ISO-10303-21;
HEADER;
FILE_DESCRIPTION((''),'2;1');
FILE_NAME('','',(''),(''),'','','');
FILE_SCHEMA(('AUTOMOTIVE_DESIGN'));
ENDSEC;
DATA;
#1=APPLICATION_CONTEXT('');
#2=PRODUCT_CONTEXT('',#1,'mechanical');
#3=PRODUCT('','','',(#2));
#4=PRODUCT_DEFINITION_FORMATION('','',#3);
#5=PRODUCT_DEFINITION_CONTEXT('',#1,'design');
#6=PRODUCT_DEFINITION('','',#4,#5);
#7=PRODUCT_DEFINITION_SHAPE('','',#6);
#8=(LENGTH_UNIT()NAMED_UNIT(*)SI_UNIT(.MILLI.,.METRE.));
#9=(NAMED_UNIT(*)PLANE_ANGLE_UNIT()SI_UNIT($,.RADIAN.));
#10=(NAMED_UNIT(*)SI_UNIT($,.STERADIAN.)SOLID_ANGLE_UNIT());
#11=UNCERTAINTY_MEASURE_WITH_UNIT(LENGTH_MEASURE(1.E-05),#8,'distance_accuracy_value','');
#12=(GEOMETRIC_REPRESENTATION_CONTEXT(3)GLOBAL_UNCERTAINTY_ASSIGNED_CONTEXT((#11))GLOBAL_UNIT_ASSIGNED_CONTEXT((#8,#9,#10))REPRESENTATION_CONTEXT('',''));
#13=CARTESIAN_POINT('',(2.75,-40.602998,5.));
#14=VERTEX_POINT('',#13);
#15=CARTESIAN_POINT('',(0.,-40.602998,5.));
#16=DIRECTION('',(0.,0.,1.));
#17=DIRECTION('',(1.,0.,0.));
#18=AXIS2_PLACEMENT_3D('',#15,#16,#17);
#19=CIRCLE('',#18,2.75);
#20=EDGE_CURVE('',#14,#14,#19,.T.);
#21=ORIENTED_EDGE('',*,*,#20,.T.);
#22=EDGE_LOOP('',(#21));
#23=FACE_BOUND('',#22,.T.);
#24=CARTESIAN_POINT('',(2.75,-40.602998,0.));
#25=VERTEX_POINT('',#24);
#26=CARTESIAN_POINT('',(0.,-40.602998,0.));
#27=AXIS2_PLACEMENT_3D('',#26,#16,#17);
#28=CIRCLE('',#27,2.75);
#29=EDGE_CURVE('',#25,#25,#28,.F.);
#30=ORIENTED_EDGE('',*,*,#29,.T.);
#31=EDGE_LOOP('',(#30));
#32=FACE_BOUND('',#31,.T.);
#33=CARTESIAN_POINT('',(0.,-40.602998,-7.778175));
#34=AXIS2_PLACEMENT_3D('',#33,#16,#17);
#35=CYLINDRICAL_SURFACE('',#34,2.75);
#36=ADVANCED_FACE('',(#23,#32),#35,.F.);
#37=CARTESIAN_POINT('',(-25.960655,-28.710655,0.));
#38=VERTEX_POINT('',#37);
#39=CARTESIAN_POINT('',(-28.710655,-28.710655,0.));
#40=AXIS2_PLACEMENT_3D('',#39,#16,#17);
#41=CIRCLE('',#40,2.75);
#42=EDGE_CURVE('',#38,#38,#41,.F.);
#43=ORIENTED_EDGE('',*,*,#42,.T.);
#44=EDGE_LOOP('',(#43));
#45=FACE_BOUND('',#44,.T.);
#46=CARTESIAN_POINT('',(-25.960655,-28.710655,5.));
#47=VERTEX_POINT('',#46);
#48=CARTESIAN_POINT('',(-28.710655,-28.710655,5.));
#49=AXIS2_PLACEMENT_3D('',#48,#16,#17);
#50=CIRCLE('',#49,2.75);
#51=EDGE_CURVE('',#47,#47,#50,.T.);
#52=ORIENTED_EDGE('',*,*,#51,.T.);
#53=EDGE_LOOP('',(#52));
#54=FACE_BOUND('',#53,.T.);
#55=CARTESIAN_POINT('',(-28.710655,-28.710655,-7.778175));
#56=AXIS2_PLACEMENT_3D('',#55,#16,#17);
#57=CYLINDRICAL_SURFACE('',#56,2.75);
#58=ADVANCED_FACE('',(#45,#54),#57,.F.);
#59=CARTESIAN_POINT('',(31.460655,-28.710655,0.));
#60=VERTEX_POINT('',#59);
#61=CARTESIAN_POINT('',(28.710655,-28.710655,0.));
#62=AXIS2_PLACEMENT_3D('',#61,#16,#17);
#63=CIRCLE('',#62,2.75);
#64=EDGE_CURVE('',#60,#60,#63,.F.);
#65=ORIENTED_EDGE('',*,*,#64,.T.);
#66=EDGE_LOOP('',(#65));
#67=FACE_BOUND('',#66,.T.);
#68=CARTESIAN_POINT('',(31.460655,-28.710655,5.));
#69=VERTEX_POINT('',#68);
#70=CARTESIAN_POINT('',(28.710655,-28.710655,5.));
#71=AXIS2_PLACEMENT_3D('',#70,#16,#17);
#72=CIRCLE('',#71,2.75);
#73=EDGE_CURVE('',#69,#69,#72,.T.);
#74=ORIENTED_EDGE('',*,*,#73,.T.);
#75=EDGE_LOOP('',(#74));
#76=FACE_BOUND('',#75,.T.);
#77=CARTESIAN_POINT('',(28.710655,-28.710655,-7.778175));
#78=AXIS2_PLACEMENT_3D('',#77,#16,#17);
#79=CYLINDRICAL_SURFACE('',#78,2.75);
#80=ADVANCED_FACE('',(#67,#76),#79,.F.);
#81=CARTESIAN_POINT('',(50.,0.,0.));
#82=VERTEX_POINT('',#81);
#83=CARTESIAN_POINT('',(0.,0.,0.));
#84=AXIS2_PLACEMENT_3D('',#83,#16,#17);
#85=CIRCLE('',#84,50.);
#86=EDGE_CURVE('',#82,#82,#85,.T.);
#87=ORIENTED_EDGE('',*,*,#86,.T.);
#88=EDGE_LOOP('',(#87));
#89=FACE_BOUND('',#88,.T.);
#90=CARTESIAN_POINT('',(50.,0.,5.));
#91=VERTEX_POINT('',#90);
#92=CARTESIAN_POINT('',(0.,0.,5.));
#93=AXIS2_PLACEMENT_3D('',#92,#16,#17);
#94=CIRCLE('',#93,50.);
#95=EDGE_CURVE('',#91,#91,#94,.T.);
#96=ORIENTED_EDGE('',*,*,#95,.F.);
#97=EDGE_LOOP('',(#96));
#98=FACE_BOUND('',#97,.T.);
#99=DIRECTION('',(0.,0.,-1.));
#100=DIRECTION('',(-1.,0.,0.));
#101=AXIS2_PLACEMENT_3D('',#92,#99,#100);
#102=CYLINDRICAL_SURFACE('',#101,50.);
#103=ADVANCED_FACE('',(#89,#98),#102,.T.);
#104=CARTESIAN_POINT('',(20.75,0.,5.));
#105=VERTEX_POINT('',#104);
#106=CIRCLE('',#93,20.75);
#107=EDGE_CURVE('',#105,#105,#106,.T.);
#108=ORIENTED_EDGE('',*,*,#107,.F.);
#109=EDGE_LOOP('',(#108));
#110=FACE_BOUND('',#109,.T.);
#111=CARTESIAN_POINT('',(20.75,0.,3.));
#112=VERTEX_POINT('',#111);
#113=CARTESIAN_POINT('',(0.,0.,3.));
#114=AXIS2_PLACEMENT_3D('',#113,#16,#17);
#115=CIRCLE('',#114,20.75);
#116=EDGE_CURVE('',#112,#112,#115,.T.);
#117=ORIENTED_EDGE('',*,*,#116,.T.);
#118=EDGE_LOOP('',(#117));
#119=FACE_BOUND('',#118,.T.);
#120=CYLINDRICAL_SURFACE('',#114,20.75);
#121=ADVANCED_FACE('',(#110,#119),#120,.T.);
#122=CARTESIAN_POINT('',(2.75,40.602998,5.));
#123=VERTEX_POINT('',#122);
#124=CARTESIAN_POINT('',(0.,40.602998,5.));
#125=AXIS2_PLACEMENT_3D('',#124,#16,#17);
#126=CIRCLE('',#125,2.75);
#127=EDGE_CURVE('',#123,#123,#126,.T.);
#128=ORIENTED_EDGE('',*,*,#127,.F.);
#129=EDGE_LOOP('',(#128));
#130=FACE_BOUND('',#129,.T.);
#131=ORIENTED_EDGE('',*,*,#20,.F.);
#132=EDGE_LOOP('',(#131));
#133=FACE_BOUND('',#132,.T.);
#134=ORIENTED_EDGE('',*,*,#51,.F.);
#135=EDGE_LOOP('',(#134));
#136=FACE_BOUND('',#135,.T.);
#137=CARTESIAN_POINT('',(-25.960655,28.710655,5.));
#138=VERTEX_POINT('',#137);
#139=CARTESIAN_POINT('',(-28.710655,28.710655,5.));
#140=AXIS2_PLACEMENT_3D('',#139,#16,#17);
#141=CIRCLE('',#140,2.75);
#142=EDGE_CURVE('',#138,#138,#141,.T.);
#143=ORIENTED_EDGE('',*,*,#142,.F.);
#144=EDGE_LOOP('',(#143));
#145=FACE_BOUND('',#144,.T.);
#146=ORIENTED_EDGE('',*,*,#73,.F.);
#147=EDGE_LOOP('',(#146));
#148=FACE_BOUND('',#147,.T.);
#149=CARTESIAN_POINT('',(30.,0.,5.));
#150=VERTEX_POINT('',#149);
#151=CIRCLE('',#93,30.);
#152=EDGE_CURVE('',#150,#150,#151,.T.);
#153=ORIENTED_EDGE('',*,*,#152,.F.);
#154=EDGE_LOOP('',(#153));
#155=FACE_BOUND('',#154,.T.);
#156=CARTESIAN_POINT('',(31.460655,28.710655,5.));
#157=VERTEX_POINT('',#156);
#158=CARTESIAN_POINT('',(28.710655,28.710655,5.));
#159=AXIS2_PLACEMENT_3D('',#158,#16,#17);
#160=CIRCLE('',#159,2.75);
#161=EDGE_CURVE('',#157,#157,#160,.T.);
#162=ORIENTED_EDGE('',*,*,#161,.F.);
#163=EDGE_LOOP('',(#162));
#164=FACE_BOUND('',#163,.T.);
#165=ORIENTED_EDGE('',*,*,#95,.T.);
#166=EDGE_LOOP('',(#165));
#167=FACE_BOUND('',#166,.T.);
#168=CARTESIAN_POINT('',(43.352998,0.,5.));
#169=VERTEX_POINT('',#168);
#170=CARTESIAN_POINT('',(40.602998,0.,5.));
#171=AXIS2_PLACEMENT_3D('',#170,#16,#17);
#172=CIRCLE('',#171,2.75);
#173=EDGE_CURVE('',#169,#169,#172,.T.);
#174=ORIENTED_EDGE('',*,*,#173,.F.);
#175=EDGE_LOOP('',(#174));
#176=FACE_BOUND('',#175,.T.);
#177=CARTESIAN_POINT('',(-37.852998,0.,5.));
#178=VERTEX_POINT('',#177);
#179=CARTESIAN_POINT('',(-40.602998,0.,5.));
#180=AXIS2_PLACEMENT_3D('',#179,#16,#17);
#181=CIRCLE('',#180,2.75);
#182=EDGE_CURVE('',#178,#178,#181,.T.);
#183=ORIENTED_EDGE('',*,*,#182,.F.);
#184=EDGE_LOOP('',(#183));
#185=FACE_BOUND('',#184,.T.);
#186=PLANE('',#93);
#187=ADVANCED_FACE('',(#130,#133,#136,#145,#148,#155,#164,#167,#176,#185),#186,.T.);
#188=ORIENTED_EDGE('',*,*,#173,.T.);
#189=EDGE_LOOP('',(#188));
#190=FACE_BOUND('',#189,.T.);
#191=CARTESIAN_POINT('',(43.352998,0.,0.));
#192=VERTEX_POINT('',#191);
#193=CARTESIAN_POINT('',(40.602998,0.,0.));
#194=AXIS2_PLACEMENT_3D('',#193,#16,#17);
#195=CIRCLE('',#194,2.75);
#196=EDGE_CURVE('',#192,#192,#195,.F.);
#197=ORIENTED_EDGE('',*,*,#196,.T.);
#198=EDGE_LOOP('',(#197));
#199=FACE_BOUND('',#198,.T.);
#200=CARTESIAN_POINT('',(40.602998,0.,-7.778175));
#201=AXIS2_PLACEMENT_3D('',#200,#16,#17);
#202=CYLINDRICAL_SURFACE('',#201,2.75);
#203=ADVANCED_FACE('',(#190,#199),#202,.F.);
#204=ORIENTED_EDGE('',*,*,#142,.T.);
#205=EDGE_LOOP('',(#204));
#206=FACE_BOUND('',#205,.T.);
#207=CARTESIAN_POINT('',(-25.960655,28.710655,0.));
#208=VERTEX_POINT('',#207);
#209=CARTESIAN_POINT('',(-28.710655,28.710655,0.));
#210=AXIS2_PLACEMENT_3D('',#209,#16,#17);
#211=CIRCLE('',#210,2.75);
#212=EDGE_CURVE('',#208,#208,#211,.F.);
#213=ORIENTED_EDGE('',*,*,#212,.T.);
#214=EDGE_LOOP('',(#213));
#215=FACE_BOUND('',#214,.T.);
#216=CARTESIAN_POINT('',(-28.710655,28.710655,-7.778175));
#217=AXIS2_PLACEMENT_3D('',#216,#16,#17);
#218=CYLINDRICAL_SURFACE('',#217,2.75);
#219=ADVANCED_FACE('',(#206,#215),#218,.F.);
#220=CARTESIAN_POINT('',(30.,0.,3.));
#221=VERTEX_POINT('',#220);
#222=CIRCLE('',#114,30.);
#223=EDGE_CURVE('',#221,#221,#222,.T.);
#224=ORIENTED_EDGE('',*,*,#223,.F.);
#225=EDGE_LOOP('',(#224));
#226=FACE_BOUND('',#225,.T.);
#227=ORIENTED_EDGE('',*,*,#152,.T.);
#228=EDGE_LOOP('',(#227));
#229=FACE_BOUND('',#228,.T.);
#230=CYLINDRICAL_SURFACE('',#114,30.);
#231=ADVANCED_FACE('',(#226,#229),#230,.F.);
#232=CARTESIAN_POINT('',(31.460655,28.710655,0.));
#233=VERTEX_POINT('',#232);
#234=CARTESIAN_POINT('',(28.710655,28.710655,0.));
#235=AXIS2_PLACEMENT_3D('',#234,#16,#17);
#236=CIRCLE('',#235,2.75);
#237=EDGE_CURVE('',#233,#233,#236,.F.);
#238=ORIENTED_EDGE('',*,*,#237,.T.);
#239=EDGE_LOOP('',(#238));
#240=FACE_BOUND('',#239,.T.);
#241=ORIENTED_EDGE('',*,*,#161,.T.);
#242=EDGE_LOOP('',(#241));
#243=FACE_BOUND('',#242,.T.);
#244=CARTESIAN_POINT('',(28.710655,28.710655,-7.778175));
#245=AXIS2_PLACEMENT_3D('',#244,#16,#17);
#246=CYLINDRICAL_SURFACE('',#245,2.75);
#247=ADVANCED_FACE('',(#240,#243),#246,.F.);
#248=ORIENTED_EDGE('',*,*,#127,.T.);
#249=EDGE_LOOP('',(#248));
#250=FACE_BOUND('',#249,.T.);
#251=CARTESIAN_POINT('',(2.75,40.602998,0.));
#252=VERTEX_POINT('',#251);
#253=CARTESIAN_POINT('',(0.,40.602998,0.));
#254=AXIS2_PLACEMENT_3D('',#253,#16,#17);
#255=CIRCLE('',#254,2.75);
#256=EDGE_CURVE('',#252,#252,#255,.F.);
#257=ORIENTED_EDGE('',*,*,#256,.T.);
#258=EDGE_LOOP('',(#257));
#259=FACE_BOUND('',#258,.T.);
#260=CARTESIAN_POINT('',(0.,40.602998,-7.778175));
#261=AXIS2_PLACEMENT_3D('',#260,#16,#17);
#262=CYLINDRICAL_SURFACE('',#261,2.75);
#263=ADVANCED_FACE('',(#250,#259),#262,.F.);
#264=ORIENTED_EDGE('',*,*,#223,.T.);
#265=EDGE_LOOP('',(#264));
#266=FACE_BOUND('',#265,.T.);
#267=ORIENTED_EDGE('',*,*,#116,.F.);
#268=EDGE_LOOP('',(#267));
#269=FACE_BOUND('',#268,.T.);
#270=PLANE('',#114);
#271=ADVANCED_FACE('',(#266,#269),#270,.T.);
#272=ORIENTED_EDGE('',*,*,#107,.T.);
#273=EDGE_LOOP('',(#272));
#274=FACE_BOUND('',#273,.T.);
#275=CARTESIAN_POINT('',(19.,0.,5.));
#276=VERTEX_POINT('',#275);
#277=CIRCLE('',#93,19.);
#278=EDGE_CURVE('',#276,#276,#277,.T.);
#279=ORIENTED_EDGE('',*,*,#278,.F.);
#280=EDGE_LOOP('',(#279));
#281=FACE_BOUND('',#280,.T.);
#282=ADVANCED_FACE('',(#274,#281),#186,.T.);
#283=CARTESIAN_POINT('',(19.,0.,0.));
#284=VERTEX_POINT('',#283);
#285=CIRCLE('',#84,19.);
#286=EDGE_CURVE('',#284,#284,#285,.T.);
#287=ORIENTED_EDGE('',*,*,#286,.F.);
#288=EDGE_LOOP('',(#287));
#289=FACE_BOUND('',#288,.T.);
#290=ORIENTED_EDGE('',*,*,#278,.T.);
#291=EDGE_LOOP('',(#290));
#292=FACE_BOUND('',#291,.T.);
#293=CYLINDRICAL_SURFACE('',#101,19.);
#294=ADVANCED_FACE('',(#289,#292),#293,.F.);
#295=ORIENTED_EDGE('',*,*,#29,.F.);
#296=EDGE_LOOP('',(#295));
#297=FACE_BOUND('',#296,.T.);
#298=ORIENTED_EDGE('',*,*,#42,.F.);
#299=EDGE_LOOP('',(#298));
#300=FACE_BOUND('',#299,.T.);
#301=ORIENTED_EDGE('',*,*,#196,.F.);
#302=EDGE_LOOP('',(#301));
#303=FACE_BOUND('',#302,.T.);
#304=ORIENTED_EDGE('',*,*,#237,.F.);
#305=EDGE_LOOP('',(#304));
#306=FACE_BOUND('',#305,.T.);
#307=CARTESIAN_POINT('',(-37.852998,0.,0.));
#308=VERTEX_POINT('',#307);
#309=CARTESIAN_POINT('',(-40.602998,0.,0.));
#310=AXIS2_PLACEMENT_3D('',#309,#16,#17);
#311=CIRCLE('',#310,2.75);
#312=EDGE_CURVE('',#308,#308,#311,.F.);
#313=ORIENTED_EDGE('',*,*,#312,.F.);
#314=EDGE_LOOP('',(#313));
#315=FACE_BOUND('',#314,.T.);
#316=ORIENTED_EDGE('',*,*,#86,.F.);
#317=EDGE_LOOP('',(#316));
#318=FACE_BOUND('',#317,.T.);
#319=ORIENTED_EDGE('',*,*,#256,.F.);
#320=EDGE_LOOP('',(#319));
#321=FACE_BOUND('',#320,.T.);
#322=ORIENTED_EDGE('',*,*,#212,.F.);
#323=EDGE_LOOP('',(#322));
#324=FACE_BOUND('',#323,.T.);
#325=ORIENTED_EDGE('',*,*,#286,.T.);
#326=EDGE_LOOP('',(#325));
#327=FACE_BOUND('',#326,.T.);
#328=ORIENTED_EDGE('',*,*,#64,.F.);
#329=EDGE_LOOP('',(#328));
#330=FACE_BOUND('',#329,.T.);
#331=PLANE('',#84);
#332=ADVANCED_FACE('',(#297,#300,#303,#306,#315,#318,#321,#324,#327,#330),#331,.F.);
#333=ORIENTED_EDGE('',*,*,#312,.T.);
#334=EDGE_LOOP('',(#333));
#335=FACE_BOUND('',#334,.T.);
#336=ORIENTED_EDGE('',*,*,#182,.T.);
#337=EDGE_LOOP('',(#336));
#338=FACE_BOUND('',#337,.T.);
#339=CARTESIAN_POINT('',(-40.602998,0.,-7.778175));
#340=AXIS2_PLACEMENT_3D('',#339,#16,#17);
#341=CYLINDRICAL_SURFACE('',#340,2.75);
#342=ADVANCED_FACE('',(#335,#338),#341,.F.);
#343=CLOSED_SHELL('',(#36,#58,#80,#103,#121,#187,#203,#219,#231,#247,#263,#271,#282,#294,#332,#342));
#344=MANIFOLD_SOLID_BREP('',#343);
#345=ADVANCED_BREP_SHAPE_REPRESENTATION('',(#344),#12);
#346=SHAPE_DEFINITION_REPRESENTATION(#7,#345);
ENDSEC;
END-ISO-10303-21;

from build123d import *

# Parameters (mm, degrees)
CROQUIS1_R              = 50
CROQUIS1_R_2            = 19
SALIENTE_EXTRUIR1_DEPTH = 5
CROQUIS4_R              = 30
CROQUIS4_R_2            = 20.75
CORTAR_EXTRUIR1_DEPTH   = 2
CROQUIS5_R              = 2.75
CORTAR_EXTRUIR2_DEPTH   = 5


with BuildPart() as part:
    # Croquis1 → Saliente-Extruir1 (new body)
    with BuildSketch(Plane.XY):
        Circle(CROQUIS1_R)
        Circle(CROQUIS1_R_2, mode=Mode.SUBTRACT)
    extrude(amount=SALIENTE_EXTRUIR1_DEPTH)

    # Croquis4 → Cortar-Extruir1 (cut)
    with BuildSketch(Plane.XY.offset(5)):
        Circle(CROQUIS4_R)
        Circle(CROQUIS4_R_2, mode=Mode.SUBTRACT)
    extrude(amount=-CORTAR_EXTRUIR1_DEPTH, mode=Mode.SUBTRACT)

    # Croquis5 → Cortar-Extruir2 (cut)
    with BuildSketch(Plane.XY.offset(5)):
        with Locations((40.602997929, 0)):
            Circle(CROQUIS5_R)
        with Locations((28.710655172, -28.710655172)):
            Circle(CROQUIS5_R)
        with Locations((0, -40.602997929)):
            Circle(CROQUIS5_R)
        with Locations((-28.710655172, -28.710655172)):
            Circle(CROQUIS5_R)
        with Locations((-40.602997929, 0)):
            Circle(CROQUIS5_R)
        with Locations((-28.710655172, 28.710655172)):
            Circle(CROQUIS5_R)
        with Locations((0, 40.602997929)):
            Circle(CROQUIS5_R)
        with Locations((28.710655172, 28.710655172)):
            Circle(CROQUIS5_R)
    extrude(amount=-CORTAR_EXTRUIR2_DEPTH, mode=Mode.SUBTRACT)


solid = part.part
